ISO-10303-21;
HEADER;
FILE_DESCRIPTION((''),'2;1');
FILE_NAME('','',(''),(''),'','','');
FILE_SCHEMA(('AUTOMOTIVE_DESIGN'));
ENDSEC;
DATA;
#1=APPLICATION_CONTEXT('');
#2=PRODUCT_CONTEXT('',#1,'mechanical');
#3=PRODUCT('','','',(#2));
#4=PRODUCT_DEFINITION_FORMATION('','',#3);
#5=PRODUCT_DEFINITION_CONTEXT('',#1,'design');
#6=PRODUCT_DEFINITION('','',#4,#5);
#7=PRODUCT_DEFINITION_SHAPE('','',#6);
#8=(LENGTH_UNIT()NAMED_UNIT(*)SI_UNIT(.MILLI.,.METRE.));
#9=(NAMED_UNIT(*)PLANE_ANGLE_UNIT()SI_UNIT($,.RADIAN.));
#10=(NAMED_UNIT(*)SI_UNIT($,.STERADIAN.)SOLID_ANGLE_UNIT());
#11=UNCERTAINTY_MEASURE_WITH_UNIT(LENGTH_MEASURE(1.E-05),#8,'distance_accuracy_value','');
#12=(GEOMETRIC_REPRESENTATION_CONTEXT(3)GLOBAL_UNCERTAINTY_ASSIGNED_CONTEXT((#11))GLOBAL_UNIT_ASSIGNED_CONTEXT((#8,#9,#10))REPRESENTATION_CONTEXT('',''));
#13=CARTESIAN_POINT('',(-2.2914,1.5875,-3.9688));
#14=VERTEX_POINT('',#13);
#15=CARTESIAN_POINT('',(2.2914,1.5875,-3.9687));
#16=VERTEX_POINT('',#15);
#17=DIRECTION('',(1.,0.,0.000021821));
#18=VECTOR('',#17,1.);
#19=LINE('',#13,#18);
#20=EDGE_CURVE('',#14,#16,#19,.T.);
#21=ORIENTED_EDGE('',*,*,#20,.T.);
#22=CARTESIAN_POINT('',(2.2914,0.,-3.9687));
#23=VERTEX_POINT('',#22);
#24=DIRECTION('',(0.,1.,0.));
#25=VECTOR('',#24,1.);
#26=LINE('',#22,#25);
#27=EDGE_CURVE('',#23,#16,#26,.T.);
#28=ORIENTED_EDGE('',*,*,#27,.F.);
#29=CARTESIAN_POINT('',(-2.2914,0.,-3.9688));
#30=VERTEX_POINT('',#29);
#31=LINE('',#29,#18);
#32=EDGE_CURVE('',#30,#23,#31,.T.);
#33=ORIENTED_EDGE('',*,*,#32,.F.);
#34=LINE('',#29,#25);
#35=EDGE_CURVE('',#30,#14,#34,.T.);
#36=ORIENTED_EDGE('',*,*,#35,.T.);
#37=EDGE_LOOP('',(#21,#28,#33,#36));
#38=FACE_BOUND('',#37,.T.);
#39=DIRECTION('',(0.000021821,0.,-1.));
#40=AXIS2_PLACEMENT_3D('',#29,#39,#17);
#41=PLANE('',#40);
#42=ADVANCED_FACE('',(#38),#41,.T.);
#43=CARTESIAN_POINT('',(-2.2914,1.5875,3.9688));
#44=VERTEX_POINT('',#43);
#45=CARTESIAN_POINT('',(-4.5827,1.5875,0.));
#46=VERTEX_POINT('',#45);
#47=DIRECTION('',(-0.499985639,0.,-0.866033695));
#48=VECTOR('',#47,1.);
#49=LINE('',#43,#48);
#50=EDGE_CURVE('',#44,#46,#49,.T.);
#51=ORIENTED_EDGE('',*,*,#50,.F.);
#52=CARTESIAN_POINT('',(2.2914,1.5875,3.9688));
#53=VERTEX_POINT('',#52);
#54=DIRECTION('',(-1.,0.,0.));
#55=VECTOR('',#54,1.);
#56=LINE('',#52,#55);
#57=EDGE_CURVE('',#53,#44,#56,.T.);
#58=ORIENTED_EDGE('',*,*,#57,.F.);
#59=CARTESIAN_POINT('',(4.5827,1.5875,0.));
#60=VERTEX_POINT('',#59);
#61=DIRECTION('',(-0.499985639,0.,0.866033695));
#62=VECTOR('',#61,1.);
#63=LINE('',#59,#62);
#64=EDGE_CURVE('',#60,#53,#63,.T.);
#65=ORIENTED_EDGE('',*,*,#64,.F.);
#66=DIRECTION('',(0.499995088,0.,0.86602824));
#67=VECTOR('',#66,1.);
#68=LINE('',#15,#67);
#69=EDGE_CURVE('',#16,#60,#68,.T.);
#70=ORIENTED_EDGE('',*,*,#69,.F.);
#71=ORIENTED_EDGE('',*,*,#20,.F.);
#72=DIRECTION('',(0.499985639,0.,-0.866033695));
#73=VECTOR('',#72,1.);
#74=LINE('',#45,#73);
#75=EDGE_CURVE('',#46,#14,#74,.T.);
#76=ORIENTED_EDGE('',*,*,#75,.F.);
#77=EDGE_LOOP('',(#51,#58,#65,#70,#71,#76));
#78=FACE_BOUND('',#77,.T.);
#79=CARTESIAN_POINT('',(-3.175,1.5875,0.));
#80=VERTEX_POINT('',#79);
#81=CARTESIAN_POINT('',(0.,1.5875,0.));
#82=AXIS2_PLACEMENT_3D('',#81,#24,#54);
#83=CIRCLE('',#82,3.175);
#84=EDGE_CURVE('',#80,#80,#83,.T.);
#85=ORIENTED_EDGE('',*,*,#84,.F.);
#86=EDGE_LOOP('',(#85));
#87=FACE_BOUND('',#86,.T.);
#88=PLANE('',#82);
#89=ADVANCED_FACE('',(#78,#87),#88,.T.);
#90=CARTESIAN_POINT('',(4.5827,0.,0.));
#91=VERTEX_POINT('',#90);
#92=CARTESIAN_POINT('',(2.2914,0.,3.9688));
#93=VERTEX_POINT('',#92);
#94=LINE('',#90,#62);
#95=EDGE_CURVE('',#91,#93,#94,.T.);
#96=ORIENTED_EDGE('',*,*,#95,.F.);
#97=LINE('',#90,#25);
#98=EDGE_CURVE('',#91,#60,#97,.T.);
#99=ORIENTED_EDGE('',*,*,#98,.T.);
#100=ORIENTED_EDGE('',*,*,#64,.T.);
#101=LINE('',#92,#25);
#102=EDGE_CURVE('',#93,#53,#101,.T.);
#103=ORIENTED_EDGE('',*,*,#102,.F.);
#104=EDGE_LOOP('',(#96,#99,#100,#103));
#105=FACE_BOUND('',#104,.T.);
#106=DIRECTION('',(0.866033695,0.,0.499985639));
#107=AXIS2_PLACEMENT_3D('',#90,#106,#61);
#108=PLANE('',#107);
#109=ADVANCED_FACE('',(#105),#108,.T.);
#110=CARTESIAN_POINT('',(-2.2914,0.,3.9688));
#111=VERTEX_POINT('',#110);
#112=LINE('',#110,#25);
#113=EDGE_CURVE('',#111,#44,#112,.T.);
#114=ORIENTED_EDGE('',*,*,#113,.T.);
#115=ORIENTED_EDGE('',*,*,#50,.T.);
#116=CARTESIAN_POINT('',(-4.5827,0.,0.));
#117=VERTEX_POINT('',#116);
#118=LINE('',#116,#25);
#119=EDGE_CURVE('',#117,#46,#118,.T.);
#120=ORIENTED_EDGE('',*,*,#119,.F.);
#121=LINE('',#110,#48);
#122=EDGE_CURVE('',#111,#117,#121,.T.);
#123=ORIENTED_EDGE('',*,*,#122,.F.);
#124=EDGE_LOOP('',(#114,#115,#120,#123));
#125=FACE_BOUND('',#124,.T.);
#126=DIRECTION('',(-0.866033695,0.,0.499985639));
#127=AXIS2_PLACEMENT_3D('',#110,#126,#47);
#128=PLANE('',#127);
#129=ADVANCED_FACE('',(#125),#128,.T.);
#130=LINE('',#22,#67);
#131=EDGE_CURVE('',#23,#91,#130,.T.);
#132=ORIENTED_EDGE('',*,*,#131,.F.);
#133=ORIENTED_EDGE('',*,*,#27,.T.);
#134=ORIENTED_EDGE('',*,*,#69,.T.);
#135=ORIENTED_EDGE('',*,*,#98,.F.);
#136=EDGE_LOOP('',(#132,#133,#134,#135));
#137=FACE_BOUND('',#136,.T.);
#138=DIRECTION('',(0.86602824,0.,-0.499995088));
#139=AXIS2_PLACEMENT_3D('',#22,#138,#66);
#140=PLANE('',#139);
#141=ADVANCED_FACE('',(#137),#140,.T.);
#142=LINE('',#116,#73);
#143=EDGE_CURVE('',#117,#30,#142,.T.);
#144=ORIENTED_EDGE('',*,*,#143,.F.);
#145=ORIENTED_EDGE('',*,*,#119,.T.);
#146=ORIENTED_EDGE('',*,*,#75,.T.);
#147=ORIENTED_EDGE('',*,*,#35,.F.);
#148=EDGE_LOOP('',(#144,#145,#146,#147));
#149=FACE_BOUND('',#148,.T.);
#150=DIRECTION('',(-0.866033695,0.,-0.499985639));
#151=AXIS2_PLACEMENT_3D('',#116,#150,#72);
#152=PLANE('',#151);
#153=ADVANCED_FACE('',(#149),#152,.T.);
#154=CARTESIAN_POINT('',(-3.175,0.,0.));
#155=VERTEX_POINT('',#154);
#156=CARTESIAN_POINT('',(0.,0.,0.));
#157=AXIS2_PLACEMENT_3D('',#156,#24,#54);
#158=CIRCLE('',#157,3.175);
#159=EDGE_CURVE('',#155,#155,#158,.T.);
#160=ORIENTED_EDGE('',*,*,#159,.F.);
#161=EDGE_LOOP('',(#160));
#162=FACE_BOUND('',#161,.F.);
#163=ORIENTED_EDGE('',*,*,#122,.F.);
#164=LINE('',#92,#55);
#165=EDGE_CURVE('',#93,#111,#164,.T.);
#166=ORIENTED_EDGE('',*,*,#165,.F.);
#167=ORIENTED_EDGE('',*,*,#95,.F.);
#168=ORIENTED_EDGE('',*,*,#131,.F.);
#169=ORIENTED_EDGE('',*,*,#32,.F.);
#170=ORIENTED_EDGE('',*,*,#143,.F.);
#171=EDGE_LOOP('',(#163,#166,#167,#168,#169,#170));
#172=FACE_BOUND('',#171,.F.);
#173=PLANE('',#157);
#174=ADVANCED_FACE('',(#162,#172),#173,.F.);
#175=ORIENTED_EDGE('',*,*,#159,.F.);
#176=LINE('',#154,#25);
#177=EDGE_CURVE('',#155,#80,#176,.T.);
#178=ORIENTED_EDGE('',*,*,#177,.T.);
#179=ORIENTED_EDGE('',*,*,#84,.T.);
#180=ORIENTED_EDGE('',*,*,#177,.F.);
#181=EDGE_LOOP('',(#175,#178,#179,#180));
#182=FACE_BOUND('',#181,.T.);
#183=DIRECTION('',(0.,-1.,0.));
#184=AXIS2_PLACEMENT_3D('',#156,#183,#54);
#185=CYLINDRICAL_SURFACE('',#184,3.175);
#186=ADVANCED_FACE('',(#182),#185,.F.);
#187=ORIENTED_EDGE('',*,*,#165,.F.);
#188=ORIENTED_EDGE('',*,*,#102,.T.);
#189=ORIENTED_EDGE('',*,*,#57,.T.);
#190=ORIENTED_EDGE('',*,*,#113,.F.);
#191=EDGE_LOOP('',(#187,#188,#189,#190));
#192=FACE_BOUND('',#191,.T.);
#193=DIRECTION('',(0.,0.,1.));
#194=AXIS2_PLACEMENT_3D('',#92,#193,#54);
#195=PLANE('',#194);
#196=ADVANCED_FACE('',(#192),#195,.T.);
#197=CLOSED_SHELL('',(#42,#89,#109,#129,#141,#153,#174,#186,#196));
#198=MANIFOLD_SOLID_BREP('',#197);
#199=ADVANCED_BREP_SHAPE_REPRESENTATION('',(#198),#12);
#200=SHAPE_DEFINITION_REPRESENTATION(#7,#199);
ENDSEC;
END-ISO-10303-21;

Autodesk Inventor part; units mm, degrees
ref_plane "YZ Plane" through (0, 0, 0) normal (1, 0, 0) x (0, 1, 0)
ref_plane "XZ Plane" through (0, 0, 0) normal (0, 1, 0) x (-1, 0, 0)
ref_plane "XY Plane" through (0, 0, 0) normal (0, 0, 1) x (1, 0, 0)
sketch "Sketch1" plane through (0, 0, 0) normal (0, 1, 0) x (-1, 0, 0)
  line L0 (4.5827, 0) -> (2.2914, -3.9688)
  line L1 (2.2914, -3.9688) -> (-2.2914, -3.9687)
  line L2 (-2.2914, -3.9687) -> (-4.5827, 0)
  line L3 (-4.5827, 0) -> (-2.2914, 3.9688)
  line L4 (-2.2914, 3.9688) -> (2.2914, 3.9688)
  line L5 (2.2914, 3.9688) -> (4.5827, 0)
  circle A0 centre (0, 0) radius 3.175
  dimension "d0" = 7.9375
  dimension "d1" = 6.35
extrude "Extrusion1" add sketch "Sketch1" along normal blind 1.5875
thread "Thread1" size "1/4-36 UNS" class "2B" standard "ANSI Unified Screw Threads" full length
properties part number "rp-sma_nut" material "Brass, Soft Yellow"
